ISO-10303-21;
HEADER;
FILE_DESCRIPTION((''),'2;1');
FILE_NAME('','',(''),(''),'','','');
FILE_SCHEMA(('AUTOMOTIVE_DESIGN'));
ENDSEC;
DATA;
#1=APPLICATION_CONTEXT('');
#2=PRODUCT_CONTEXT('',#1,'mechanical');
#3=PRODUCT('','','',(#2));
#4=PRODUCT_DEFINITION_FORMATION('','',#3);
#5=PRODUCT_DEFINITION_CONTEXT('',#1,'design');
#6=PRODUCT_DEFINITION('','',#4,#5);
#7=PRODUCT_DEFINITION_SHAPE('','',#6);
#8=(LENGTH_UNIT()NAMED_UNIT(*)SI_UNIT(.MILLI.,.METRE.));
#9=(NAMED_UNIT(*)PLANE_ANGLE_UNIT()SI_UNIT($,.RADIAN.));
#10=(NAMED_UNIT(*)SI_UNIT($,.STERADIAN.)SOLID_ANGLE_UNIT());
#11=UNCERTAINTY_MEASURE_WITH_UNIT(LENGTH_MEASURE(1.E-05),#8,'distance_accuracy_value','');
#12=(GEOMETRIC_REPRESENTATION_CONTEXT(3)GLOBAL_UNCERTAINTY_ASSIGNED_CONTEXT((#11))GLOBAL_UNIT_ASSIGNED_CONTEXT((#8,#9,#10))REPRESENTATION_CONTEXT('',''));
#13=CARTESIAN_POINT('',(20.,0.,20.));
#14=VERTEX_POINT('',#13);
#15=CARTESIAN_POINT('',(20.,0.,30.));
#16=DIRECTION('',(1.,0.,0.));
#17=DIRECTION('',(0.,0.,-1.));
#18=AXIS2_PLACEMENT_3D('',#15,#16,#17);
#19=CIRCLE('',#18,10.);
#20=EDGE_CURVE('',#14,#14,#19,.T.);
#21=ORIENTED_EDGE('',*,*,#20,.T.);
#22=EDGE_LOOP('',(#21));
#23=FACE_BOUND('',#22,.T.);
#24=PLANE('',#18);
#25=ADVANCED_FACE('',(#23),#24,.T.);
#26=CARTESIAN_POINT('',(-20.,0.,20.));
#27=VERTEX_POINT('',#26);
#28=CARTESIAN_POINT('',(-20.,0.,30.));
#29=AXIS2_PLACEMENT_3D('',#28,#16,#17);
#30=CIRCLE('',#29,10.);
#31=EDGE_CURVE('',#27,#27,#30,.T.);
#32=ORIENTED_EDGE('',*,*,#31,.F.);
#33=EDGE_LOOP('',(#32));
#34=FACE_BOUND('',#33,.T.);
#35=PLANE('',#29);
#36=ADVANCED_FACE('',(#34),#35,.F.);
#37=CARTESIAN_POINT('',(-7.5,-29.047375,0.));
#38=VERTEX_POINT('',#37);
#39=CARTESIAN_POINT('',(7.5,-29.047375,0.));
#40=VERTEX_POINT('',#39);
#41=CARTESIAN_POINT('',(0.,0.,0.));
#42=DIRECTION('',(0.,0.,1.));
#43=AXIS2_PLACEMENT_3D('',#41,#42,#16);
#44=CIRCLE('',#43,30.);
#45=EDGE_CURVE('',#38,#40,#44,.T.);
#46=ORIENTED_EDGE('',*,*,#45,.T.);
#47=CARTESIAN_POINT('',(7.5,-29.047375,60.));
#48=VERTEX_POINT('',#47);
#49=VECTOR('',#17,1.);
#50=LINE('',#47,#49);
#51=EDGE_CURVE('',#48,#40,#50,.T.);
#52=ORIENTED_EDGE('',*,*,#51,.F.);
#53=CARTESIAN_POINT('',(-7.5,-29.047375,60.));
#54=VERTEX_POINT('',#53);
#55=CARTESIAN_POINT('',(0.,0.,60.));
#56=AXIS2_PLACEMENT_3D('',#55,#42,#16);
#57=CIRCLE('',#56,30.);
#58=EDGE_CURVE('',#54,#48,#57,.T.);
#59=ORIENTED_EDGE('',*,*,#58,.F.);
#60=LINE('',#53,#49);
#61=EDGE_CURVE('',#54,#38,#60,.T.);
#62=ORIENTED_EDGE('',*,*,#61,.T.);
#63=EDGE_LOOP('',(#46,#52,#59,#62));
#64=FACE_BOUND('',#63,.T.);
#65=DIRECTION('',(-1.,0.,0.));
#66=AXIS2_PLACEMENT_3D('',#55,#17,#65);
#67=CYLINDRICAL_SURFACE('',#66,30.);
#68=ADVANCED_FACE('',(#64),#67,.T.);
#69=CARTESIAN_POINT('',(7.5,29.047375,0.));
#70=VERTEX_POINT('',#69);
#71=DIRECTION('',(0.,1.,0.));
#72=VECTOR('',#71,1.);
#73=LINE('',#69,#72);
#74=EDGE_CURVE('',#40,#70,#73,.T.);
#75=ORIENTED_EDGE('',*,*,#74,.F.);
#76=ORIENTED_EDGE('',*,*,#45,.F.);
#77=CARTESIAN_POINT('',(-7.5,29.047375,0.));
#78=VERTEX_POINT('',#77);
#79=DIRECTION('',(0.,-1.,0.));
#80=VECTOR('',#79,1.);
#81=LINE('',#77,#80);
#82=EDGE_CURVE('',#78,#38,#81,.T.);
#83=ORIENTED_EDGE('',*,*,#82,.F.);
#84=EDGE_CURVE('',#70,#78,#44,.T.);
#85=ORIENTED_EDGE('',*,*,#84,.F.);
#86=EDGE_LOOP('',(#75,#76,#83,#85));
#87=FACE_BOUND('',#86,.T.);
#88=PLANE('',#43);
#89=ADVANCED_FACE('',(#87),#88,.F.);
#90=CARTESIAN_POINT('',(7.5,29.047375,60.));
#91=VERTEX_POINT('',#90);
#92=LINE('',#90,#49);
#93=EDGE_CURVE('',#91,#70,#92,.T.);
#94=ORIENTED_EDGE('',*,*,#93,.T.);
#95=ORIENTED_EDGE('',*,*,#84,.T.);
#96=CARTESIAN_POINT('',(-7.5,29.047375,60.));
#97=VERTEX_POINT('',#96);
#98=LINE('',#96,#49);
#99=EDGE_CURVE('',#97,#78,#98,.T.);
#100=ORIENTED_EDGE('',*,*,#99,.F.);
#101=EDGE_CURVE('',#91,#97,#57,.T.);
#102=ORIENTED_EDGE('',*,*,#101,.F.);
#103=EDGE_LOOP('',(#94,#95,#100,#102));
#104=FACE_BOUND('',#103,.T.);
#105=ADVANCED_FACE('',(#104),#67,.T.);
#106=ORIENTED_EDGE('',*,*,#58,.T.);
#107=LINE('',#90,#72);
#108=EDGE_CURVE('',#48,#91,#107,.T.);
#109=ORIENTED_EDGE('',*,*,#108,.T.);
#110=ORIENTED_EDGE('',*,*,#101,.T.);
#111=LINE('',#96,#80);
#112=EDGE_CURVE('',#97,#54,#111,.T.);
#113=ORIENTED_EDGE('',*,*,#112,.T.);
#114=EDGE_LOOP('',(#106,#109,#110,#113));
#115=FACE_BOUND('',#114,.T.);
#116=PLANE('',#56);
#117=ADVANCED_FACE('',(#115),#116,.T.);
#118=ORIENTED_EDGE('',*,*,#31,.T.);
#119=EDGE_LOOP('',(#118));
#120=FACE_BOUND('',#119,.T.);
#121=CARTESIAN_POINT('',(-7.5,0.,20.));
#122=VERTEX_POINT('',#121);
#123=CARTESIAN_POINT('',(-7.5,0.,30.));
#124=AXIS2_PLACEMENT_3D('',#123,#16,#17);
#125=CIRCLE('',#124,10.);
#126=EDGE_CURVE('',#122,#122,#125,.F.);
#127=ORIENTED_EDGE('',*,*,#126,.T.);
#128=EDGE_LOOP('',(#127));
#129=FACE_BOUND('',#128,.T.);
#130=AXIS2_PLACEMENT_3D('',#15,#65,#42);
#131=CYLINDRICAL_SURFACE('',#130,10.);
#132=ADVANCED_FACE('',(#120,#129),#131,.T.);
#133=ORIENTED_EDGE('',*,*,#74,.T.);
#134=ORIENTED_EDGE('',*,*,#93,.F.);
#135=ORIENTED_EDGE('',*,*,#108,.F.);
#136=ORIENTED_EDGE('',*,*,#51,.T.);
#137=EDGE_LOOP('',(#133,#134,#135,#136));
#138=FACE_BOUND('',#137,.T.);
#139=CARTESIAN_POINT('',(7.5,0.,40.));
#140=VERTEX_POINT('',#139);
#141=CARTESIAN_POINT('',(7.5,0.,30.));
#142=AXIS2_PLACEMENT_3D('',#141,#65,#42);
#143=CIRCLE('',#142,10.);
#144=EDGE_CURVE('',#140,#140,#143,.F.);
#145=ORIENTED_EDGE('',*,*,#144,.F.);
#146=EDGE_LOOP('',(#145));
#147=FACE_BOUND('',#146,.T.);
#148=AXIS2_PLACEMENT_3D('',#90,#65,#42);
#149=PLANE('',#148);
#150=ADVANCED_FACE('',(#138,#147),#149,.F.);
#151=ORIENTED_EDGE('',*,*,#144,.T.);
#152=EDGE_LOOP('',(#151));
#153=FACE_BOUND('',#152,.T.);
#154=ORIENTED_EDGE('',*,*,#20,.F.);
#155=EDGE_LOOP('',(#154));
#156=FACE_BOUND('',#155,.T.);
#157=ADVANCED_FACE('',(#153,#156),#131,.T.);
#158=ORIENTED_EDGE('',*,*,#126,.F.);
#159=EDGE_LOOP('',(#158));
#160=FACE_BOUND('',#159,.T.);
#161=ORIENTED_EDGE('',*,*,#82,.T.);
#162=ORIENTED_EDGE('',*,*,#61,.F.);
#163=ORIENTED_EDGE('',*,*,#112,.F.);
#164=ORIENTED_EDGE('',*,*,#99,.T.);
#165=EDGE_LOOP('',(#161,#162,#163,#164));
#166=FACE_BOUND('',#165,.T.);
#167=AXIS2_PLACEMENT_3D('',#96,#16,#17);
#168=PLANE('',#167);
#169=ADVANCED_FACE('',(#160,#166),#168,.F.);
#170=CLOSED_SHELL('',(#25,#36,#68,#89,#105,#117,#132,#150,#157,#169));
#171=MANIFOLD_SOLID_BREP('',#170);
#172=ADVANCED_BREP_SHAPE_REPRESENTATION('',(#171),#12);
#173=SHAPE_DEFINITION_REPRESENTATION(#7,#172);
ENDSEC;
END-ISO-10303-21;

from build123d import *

# Parameters (mm, degrees)
BOSS_EXTRUDE1_DEPTH = 60
SKETCH2_TOOL_BASE_R = 10
BOSS_EXTRUDE2_DEPTH = 20


with BuildPart() as part:
    # sketch1_tool_base → Boss-Extrude1 (new body)
    with BuildSketch(Plane.XY):
        with BuildLine():
            Line((-7.5, 29.047375097), (-7.5, -29.047375097))
            ThreePointArc((-7.5, -29.047375097), (0, -30), (7.5, -29.047375097))
            Line((7.5, -29.047375097), (7.5, 29.047375097))
            ThreePointArc((7.5, 29.047375097), (0, 30), (-7.5, 29.047375097))
        make_face()
    extrude(amount=BOSS_EXTRUDE1_DEPTH)

    # sketch2_tool_base → Boss-Extrude2 (add, symmetric)
    with BuildSketch(Plane(origin=(0, 0, 0), x_dir=(0, 0, -1), z_dir=(1, 0, 0))):
        with Locations((-30, 0)):
            Circle(SKETCH2_TOOL_BASE_R)
    extrude(amount=BOSS_EXTRUDE2_DEPTH, both=True)


solid = part.part
